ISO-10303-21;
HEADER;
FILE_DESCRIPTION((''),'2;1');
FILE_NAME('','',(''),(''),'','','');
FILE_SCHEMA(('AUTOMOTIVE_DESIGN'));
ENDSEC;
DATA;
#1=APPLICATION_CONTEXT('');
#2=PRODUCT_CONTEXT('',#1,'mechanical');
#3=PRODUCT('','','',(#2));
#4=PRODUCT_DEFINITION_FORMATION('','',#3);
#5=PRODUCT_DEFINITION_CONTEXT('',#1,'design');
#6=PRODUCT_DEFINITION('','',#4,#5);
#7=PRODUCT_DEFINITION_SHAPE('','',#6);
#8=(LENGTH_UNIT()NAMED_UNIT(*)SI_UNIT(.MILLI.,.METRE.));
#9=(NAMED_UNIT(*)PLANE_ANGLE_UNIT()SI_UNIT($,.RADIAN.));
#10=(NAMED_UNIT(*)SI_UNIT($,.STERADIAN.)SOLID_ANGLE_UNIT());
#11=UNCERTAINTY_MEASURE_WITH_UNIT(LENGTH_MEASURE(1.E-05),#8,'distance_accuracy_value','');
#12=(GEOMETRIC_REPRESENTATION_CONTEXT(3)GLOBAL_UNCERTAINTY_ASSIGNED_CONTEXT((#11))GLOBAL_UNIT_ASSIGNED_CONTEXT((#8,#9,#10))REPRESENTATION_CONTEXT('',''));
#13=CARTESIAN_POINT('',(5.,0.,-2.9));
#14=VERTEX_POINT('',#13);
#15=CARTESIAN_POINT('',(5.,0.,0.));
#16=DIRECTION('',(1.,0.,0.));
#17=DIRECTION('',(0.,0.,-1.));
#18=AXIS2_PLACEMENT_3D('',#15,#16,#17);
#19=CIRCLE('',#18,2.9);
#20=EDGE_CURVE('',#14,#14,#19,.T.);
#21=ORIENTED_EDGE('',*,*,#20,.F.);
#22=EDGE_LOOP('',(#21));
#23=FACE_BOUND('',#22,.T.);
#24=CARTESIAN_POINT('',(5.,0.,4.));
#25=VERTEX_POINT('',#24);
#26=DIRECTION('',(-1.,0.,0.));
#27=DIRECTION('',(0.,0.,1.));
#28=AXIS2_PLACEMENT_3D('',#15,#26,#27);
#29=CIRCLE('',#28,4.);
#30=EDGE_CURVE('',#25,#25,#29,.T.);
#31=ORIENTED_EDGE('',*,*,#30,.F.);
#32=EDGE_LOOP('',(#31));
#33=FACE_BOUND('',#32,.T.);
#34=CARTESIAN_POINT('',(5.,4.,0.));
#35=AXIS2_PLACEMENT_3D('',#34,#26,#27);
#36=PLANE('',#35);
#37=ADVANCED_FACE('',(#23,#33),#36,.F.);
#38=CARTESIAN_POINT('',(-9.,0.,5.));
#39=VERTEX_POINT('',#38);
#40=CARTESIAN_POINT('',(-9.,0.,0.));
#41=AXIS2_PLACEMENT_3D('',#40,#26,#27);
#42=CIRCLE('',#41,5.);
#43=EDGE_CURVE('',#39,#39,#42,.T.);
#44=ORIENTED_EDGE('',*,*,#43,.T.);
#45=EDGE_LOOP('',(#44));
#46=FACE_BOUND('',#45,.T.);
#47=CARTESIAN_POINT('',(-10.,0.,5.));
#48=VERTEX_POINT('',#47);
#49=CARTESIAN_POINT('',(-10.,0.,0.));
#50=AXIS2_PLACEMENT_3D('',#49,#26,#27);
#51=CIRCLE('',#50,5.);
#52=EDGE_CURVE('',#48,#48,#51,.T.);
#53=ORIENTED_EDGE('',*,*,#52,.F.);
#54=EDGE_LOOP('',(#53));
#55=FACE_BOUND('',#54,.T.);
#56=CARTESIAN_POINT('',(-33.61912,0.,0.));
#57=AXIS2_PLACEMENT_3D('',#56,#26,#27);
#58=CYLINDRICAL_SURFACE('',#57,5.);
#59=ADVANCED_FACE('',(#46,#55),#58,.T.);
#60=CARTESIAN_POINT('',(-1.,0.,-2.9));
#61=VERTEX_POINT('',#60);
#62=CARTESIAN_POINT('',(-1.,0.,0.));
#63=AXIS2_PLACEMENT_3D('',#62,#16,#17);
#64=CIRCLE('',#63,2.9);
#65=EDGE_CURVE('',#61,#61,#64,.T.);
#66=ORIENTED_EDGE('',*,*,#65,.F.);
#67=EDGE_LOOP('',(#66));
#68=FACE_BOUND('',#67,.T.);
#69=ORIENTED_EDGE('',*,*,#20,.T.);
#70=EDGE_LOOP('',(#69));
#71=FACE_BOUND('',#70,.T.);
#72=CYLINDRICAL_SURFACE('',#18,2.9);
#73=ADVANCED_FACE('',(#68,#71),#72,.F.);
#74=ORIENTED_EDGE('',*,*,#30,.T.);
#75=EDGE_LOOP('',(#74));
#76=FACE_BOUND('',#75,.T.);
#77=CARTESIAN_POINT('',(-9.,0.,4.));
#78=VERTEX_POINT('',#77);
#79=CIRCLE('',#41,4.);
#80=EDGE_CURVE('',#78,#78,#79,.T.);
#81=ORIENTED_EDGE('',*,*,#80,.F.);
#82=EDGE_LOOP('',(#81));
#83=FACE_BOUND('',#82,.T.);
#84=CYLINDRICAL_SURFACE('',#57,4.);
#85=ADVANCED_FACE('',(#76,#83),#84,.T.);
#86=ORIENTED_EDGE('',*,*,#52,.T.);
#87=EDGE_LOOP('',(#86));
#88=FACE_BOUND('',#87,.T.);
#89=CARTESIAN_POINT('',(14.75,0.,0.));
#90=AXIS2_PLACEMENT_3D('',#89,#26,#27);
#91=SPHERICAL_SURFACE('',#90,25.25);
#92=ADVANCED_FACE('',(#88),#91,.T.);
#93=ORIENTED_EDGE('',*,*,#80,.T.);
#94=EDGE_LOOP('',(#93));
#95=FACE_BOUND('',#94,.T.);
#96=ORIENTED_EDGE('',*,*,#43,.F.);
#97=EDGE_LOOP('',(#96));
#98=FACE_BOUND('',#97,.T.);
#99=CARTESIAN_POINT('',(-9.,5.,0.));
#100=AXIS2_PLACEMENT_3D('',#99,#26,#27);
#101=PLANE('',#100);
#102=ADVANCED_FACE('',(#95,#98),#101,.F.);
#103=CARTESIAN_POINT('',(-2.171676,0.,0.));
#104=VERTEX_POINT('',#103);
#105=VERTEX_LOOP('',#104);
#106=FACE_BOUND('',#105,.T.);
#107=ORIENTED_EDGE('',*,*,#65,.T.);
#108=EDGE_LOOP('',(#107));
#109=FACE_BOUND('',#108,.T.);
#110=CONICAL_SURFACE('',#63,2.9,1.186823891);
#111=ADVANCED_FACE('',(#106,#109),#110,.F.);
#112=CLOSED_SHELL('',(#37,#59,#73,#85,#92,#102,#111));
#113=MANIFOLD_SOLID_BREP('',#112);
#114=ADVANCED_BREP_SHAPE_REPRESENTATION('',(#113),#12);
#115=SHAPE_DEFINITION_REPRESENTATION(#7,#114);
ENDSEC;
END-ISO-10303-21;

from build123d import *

# Parameters (mm, degrees)
FURO_COM_FOLGA_DE_M51_D     = 5.8
FURO_COM_FOLGA_DE_M51_DEPTH = 6
FURO_COM_FOLGA_DE_M51_TIP   = 1.171676055
DOMO1_FACE_RADIUS           = 5
DOMO1_HEIGHT                = 0.5


with BuildPart() as part:
    # Sketch2 → Revolve1 (revolve)
    with BuildSketch(Plane.XY):
        Polygon((-10, 0), (-10, 5), (-9, 5), (-9, 4), (5, 4), (5, 0), align=None)
    revolve(axis=Axis((-33.61911958, 0, 0), (1, 0, 0)))

    # Furo com folga de M51
    with Locations(Plane(origin=(5, 0, 0), x_dir=(0, 0, -1), z_dir=(1, 0, 0))):
        with Locations((0, 0)):
            Hole(FURO_COM_FOLGA_DE_M51_D / 2, depth=FURO_COM_FOLGA_DE_M51_DEPTH)
            with Locations((0, 0, -(FURO_COM_FOLGA_DE_M51_DEPTH + FURO_COM_FOLGA_DE_M51_TIP / 2))):  # 136° drill point
                Cone(0, FURO_COM_FOLGA_DE_M51_D / 2, FURO_COM_FOLGA_DE_M51_TIP, mode=Mode.SUBTRACT)

    # Domo1: a dome of height H over a round flat face of radius A is a cap of a sphere of radius (A * A + H * H) / (2 * H)
    domo1_r = (DOMO1_FACE_RADIUS * DOMO1_FACE_RADIUS + DOMO1_HEIGHT * DOMO1_HEIGHT) / (2 * DOMO1_HEIGHT)
    domo1_base = Plane((-10, 0, 0), z_dir=(-1, 0, 0))
    with Locations(domo1_base.offset(DOMO1_HEIGHT - domo1_r)):
        domo1_ball = Sphere(domo1_r, mode=Mode.PRIVATE)
    add(split(domo1_ball, bisect_by=domo1_base, keep=Keep.TOP, mode=Mode.PRIVATE))


solid = part.part
